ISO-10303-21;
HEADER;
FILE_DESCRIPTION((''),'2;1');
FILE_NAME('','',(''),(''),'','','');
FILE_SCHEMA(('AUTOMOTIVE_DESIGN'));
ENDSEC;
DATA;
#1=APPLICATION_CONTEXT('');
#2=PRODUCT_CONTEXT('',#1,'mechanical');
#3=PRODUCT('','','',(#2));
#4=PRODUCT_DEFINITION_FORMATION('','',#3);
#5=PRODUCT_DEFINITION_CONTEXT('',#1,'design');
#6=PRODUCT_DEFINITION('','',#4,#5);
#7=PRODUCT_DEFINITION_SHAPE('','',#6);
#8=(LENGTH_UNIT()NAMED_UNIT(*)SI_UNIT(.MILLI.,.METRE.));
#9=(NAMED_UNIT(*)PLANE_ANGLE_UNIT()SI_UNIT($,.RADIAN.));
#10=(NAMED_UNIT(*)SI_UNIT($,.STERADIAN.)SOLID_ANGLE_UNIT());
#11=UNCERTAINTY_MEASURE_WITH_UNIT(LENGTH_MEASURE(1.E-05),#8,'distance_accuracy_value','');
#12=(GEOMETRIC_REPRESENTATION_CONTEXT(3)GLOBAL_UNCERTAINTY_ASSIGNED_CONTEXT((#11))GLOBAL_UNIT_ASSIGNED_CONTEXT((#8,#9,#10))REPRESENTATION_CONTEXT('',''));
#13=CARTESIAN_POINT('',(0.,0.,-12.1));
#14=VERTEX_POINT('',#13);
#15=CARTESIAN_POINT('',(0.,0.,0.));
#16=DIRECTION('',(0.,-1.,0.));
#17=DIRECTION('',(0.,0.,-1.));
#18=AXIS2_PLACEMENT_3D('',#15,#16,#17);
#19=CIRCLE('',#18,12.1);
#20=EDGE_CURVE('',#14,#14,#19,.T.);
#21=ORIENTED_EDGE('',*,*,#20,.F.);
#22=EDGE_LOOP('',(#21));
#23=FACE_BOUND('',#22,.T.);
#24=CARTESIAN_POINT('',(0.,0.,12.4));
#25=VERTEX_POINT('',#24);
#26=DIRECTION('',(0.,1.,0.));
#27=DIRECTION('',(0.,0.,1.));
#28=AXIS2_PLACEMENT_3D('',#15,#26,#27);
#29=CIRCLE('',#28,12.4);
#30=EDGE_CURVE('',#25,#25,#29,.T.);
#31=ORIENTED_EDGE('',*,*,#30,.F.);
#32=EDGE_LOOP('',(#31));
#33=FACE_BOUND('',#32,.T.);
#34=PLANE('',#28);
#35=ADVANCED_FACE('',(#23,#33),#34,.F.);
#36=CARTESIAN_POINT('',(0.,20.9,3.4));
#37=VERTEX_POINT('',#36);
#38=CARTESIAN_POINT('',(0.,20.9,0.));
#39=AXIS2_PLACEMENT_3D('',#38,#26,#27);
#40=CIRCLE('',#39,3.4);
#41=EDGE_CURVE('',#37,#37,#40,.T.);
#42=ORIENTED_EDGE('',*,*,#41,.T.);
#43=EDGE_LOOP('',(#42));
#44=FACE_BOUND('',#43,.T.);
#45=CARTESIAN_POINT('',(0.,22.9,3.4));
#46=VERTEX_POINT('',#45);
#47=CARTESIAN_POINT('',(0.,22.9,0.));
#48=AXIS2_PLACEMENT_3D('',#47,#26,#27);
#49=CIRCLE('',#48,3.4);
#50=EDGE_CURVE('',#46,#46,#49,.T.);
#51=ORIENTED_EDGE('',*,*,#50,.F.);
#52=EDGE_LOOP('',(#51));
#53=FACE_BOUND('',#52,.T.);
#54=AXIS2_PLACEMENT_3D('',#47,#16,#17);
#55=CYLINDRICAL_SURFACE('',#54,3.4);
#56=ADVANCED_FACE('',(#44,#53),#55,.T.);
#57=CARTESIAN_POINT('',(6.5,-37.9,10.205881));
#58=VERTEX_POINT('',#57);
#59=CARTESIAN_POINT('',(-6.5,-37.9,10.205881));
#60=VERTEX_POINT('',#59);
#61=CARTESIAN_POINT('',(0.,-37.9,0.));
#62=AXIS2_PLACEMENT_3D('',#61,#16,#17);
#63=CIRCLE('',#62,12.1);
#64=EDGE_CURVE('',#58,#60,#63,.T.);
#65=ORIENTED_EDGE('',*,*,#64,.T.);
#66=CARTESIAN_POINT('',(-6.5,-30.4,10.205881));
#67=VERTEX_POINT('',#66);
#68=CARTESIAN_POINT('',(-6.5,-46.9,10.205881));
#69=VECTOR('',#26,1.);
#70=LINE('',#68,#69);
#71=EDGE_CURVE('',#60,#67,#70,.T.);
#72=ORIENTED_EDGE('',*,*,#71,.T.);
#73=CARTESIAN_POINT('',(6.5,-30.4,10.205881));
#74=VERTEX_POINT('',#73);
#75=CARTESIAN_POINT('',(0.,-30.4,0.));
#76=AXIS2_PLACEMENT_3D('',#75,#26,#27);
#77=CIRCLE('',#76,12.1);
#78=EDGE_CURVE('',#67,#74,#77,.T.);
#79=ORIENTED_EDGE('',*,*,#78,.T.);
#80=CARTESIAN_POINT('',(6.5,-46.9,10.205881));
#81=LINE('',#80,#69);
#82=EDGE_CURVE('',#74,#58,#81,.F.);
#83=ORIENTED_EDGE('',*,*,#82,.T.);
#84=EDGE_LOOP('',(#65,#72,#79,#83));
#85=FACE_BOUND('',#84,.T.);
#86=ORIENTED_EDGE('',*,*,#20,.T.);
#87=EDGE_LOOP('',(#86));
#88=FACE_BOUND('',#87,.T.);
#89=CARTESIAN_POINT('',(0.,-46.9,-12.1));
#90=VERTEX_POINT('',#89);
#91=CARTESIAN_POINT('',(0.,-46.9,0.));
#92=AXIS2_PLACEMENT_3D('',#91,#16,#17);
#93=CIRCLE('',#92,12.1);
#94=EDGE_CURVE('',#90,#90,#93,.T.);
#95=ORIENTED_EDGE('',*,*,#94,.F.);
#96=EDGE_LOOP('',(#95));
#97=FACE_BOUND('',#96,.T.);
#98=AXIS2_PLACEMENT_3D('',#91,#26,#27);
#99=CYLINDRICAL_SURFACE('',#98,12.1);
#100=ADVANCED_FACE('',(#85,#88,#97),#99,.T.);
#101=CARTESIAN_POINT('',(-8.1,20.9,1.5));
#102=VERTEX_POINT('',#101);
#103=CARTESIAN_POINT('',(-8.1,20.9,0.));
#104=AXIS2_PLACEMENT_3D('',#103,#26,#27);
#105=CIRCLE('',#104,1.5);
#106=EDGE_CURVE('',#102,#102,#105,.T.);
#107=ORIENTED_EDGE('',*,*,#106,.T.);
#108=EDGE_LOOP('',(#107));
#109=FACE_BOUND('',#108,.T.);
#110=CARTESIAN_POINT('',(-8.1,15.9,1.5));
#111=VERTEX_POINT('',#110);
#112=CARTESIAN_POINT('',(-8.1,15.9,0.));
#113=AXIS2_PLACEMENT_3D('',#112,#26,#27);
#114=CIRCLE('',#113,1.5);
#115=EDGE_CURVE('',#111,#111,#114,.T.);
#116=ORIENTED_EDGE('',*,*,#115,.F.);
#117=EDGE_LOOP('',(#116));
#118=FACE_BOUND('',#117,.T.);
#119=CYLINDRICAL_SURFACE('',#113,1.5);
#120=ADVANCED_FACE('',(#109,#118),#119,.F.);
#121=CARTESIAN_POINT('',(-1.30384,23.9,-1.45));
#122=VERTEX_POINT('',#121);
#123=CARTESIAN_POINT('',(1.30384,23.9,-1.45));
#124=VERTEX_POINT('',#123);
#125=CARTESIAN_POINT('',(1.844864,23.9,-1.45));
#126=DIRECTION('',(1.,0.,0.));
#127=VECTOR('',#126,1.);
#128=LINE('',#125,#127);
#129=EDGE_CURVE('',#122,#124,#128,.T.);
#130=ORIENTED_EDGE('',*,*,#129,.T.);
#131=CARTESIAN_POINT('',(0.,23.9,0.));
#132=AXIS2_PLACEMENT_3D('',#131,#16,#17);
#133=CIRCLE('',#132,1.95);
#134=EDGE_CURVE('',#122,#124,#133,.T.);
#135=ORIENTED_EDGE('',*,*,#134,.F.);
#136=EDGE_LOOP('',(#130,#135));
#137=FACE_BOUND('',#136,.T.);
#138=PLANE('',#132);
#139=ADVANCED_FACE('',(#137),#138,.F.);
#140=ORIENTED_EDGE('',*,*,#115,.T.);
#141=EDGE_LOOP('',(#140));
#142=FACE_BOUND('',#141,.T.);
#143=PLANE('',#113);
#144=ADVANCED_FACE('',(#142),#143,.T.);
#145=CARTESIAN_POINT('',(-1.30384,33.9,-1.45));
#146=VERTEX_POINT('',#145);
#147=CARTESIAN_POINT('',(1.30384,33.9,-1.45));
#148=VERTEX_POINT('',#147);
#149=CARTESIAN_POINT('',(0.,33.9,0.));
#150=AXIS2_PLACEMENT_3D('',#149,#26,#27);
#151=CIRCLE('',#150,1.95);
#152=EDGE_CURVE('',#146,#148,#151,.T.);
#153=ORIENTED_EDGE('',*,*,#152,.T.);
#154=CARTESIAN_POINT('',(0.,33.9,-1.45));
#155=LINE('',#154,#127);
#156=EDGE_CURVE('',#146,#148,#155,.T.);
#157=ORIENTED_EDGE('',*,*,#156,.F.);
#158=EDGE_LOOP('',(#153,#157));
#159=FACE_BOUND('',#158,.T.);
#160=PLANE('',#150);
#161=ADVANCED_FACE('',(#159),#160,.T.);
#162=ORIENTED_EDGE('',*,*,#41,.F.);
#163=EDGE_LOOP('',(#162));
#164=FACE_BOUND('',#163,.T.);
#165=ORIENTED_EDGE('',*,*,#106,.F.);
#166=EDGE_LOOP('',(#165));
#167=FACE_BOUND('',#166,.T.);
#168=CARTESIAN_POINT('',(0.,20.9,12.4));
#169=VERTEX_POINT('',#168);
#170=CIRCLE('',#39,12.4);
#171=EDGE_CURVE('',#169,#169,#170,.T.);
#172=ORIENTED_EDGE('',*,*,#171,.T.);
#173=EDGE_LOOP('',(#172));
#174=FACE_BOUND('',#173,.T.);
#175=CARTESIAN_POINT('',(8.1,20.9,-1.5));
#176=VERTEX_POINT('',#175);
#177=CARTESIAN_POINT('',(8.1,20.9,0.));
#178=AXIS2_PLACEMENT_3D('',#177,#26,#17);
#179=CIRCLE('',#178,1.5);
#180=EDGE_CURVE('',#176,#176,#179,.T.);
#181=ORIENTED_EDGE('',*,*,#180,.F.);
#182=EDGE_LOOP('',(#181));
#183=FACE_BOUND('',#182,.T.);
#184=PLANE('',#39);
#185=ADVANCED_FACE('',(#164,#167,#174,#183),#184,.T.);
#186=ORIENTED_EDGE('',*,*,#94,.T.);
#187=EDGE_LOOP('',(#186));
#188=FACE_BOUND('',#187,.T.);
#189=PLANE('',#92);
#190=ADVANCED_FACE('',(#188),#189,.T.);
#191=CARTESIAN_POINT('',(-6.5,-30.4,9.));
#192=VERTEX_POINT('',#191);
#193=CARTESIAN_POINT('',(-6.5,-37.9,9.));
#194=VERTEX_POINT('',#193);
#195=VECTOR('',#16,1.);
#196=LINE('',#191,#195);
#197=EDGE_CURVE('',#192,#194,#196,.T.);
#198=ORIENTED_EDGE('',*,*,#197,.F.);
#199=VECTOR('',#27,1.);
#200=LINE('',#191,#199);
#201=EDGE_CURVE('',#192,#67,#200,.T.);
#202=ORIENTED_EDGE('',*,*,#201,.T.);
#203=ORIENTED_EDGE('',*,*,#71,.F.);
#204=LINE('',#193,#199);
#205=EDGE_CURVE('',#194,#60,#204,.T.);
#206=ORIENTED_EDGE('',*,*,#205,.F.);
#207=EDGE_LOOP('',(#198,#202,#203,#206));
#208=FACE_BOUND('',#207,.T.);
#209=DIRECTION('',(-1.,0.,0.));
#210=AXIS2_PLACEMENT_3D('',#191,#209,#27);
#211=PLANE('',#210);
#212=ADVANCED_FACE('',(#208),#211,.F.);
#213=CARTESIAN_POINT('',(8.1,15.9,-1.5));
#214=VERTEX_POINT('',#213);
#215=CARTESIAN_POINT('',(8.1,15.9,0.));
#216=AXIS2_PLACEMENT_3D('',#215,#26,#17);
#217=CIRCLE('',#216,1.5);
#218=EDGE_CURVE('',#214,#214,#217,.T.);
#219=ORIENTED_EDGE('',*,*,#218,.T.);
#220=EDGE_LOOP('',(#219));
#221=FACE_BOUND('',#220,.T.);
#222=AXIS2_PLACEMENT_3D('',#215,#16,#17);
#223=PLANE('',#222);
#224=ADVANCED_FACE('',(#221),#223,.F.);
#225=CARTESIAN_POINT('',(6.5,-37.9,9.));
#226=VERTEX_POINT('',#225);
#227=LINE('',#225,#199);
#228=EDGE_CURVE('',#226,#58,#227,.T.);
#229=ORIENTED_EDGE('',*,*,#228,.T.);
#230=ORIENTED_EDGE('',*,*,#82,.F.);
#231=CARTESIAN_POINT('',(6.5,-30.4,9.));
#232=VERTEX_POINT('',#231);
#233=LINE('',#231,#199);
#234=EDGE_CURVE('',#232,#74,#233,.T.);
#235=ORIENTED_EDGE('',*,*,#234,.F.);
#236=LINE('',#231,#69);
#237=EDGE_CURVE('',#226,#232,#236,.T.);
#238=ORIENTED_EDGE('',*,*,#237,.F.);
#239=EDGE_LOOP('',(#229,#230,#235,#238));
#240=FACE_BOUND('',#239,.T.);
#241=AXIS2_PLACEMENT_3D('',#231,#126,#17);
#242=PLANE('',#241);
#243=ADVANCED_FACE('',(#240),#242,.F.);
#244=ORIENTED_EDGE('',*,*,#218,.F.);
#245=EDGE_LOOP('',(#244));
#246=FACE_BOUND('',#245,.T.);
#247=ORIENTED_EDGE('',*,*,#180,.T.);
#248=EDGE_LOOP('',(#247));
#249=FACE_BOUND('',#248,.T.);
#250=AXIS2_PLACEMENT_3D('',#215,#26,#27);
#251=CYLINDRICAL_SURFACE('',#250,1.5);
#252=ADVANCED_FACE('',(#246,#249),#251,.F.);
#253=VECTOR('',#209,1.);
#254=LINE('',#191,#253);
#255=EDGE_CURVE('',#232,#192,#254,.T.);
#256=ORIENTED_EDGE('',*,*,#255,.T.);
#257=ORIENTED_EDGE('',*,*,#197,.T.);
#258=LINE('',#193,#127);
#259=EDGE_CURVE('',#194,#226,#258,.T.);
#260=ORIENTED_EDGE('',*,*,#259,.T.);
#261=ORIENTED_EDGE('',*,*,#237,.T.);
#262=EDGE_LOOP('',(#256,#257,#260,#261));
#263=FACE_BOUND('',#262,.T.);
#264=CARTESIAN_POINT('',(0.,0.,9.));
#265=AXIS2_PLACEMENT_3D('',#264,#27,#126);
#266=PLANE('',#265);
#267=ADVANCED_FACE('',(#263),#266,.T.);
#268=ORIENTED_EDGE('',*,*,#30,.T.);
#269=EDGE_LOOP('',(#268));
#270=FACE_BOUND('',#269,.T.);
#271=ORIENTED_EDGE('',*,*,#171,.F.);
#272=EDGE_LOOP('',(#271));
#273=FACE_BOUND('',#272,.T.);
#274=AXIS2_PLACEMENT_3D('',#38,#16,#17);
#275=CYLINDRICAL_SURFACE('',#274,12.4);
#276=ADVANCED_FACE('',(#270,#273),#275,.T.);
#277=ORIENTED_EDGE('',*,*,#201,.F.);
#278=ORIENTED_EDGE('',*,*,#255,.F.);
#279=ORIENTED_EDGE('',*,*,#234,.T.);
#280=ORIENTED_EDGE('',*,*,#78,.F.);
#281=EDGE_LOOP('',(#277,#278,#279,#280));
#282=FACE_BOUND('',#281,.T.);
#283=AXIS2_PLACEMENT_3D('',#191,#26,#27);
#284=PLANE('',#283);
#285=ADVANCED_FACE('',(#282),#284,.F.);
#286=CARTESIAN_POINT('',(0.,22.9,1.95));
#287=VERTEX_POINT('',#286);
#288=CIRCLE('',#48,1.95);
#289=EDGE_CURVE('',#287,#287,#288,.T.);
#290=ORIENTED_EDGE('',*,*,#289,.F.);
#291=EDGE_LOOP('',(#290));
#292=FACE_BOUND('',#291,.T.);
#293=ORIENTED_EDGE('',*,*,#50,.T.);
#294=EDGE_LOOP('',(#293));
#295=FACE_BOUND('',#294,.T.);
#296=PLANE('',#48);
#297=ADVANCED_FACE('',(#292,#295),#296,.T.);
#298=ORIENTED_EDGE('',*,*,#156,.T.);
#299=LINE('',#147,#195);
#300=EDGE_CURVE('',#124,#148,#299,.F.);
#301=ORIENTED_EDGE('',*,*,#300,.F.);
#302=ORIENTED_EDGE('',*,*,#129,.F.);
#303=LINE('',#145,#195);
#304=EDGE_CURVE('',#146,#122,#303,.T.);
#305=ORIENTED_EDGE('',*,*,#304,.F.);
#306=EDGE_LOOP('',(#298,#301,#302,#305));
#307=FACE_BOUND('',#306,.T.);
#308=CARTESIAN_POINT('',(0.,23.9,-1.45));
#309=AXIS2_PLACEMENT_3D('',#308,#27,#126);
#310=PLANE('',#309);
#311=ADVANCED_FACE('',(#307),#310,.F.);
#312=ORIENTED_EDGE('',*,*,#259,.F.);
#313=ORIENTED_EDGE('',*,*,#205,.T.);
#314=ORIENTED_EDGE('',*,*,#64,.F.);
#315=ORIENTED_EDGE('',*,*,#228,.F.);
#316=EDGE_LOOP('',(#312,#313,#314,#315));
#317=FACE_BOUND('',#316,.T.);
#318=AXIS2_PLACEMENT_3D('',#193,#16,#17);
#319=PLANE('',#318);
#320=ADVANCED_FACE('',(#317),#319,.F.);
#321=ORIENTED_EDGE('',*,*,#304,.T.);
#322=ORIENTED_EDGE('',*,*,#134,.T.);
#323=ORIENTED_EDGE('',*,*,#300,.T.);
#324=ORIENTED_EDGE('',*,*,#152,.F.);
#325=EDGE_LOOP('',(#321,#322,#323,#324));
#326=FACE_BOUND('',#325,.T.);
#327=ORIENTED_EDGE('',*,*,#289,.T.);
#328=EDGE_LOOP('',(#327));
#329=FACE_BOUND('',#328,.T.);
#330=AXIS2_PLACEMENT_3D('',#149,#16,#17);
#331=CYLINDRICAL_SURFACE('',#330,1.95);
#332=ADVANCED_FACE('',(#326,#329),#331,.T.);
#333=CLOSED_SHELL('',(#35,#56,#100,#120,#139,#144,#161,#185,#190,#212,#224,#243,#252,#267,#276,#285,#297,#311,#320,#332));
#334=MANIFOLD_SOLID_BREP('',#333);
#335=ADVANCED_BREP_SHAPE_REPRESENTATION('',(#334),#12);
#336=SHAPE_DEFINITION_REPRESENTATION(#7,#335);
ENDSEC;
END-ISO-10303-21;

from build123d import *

# Parameters (mm, degrees)
SKETCH1_R           = 12.4
BOSS_EXTRUDE1_DEPTH = 20.9
SKETCH4_R           = 3.4
BOSS_EXTRUDE3_DEPTH = 2
SKETCH6_R           = 1.95
BOSS_EXTRUDE4_DEPTH = 11
CUT_EXTRUDE1_DEPTH  = 10
SKETCH8_R           = 12.1
BOSS_EXTRUDE5_DEPTH = 46.9
SKETCH9_R           = 1.5
CUT_EXTRUDE2_DEPTH  = 5
SKETCH10_W          = 13
SKETCH10_H          = 7.5
CUT_EXTRUDE3_DEPTH  = 4


with BuildPart() as part:
    # Sketch1 → Boss-Extrude1 (new body)
    with BuildSketch(Plane(origin=(0, 0, 0), x_dir=(1, 0, 0), z_dir=(0, 1, 0))):
        with Locations(Location((0, 0, 0), (0, 0, 270))):
            Circle(SKETCH1_R)
    extrude(amount=BOSS_EXTRUDE1_DEPTH)

    # Sketch4 → Boss-Extrude3 (add)
    with BuildSketch(Plane(origin=(0, 20.9, 0), x_dir=(1, 0, 0), z_dir=(0, 1, 0))):
        with Locations(Location((0, 0, 0), (0, 0, 270))):
            Circle(SKETCH4_R)
    extrude(amount=BOSS_EXTRUDE3_DEPTH)

    # Sketch6 → Boss-Extrude4 (add)
    with BuildSketch(Plane(origin=(0, 22.9, 0), x_dir=(1, 0, 0), z_dir=(0, 1, 0))):
        with Locations(Location((0, 0, 0), (0, 0, 270))):
            Circle(SKETCH6_R)
    extrude(amount=BOSS_EXTRUDE4_DEPTH)

    # Sketch7 → Cut-Extrude1 (cut)
    with BuildSketch(Plane(origin=(0, 33.9, 0), x_dir=(1, 0, 0), z_dir=(0, 1, 0))):
        Polygon((0, 1.45), (-1.840503263, 1.45), (-1.840503263, 3.329277937), (1.844863843, 3.329277937), (1.844863843, 1.45), align=None)
    extrude(amount=-CUT_EXTRUDE1_DEPTH, mode=Mode.SUBTRACT)

    # Sketch8 → Boss-Extrude5 (add)
    with BuildSketch(Plane.XZ):
        with Locations(Location((0, 0, 0), (0, 0, 270))):
            Circle(SKETCH8_R)
    extrude(amount=BOSS_EXTRUDE5_DEPTH)

    # Sketch9 → Cut-Extrude2 (cut)
    with BuildSketch(Plane(origin=(0, 20.9, 0), x_dir=(1, 0, 0), z_dir=(0, 1, 0))):
        with Locations(Location((-8.1, 0, 0), (0, 0, 270))):
            Circle(SKETCH9_R)
        with Locations(Location((8.1, 0, 0), (0, 0, 90))):
            Circle(SKETCH9_R)
    extrude(amount=-CUT_EXTRUDE2_DEPTH, mode=Mode.SUBTRACT)

    # Sketch10 → Cut-Extrude3 (cut)
    with BuildSketch(Plane.XY.offset(13)):
        with Locations((0, -34.15)):
            Rectangle(SKETCH10_W, SKETCH10_H)
    extrude(amount=-CUT_EXTRUDE3_DEPTH, mode=Mode.SUBTRACT)


solid = part.part
